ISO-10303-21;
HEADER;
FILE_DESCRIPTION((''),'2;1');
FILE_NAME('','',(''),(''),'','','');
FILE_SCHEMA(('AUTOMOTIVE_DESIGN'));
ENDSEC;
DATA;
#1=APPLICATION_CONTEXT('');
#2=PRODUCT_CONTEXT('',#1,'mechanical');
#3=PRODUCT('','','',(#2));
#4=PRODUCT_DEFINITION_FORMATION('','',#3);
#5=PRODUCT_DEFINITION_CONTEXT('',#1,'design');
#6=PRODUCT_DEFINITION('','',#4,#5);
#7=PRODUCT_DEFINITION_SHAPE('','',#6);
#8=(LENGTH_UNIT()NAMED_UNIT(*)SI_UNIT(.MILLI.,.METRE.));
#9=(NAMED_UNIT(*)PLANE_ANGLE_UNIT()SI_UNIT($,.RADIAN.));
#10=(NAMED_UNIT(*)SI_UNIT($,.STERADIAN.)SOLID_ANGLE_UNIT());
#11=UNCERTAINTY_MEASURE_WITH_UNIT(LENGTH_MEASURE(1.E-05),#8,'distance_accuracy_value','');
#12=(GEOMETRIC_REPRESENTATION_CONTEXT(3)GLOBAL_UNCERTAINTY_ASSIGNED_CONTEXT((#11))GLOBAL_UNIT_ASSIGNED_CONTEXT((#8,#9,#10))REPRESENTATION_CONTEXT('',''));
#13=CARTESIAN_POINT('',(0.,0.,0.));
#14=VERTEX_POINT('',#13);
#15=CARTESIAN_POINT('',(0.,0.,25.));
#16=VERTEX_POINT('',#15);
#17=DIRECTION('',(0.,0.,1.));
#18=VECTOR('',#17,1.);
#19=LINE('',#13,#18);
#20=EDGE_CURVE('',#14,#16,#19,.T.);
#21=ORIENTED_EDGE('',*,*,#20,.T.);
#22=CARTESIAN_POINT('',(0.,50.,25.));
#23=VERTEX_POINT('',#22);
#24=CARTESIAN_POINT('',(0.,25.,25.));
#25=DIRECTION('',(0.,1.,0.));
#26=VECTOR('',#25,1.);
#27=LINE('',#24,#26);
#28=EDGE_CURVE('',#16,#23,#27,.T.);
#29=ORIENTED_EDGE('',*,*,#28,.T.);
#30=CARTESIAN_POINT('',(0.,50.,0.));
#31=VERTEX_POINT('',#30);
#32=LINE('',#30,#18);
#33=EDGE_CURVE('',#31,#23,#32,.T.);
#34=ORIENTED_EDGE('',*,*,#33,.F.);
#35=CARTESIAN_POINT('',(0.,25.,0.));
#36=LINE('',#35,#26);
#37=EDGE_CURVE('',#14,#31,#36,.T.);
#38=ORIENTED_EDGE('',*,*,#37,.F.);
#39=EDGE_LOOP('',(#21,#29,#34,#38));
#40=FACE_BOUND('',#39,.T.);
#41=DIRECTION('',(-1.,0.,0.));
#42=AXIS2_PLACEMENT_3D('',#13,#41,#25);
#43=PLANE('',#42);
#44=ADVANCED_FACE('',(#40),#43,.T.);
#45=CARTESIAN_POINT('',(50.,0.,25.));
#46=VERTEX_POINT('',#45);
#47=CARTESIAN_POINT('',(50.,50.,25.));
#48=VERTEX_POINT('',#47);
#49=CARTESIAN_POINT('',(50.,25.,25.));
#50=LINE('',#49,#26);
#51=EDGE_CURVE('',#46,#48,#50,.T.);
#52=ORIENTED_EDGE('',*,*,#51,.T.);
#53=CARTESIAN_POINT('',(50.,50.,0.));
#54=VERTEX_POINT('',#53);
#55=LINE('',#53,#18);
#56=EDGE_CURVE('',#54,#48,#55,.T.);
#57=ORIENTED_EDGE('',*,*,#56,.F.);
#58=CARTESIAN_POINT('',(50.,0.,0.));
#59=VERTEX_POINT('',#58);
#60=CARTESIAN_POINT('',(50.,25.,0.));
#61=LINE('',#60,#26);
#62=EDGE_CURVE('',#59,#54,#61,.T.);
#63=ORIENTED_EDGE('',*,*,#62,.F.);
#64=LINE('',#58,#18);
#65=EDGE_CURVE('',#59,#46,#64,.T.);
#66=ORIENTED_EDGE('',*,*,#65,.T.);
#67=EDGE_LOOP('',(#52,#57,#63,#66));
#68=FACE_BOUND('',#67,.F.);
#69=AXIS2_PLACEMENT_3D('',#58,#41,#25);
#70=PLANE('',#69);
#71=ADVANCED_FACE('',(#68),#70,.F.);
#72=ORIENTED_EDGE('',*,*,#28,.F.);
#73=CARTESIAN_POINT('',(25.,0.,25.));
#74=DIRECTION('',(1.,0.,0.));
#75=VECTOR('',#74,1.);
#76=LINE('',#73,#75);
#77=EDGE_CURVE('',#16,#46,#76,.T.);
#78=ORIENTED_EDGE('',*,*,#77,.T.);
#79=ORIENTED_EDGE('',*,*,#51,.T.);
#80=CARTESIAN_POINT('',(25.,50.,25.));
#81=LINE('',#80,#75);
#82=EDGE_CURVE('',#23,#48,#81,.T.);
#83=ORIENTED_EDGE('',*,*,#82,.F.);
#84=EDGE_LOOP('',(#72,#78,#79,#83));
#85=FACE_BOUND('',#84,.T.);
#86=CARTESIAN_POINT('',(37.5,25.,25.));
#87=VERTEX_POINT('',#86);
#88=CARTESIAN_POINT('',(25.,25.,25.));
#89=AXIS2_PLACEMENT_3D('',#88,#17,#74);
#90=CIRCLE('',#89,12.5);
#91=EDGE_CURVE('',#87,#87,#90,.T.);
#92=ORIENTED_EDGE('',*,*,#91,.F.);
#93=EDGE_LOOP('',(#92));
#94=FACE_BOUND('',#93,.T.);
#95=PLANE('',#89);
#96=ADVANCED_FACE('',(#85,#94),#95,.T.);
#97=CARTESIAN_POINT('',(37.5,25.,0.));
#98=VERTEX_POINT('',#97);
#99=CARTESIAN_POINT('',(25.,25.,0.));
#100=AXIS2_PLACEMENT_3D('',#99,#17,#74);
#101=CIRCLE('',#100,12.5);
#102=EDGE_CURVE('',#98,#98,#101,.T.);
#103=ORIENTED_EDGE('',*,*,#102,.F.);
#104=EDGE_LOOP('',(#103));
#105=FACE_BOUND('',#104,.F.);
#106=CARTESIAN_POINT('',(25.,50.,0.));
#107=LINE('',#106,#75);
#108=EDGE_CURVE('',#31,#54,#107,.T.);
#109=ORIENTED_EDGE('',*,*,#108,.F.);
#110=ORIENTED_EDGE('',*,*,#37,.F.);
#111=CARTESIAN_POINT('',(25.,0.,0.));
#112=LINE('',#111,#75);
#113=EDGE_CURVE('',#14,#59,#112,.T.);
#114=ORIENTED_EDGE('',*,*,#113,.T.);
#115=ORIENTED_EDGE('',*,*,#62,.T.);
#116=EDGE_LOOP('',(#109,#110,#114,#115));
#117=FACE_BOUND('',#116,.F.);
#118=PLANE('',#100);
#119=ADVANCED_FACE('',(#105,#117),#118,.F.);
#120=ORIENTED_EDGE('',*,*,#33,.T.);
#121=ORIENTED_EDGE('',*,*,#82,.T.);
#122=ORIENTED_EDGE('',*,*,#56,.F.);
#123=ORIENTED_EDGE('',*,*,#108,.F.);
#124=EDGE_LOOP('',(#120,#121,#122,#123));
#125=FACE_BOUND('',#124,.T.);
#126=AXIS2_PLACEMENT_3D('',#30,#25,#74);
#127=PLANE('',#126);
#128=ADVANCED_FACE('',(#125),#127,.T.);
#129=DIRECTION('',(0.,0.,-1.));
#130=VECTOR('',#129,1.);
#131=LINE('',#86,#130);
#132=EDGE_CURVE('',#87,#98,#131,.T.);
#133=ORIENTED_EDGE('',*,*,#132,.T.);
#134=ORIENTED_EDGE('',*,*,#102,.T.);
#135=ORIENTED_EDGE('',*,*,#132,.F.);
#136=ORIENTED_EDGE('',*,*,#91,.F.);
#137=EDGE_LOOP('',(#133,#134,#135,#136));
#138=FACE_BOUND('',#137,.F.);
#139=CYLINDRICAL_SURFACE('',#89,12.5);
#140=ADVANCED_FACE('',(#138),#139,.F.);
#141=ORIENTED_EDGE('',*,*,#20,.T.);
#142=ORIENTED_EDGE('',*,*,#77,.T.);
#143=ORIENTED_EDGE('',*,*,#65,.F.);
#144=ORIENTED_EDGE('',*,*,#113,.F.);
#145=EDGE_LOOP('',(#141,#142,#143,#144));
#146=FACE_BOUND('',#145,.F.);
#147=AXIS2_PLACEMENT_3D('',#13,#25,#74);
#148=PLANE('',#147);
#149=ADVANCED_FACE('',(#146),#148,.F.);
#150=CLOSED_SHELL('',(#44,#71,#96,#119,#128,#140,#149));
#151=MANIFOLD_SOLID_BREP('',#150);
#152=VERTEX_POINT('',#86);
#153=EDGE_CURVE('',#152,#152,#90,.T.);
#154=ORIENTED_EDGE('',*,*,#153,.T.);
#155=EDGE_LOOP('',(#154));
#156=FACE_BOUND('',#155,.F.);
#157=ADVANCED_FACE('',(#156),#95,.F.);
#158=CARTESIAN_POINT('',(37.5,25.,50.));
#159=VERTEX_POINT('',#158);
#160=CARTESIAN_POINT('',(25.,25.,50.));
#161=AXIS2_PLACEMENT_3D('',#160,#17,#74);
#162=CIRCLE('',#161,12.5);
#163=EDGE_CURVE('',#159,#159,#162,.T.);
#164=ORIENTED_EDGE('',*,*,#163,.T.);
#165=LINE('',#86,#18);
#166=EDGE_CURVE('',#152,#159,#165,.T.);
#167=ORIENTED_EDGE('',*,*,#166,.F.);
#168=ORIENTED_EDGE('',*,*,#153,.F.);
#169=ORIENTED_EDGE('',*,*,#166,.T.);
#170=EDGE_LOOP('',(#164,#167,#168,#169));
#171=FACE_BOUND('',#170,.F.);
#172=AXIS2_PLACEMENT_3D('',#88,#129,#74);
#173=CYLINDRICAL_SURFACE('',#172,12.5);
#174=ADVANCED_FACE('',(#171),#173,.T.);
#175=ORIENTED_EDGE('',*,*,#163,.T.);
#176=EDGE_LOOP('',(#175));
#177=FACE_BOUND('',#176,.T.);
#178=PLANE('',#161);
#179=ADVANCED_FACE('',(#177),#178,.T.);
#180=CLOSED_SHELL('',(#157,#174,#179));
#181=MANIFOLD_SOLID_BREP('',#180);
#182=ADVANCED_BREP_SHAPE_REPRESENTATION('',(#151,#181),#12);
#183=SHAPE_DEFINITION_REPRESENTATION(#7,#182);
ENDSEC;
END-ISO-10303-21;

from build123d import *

# Parameters (mm, degrees)
F0_W     = 50
F0_H     = 50
F1_DEPTH = 25
F2_R     = 12.5
F3_DEPTH = 25
F4_R     = 12.5
F5_DEPTH = 25


with BuildPart() as f1:
    # F0 (on Top) → F1 (new body)
    with BuildSketch(Plane.XY):
        with Locations((25, 25)):
            Rectangle(F0_W, F0_H)
    extrude(amount=F1_DEPTH)

    # F2 (on face) → F3 (cut)
    with BuildSketch(Plane.XY.offset(25)):
        with Locations((25, 25)):
            Circle(F2_R)
    extrude(amount=-F3_DEPTH, mode=Mode.SUBTRACT)


with BuildPart() as f5:
    # F4 (on face) → F5 (new body)
    with BuildSketch(Plane.XY.offset(25)):
        with Locations((25, 25)):
            Circle(F4_R)
    extrude(amount=F5_DEPTH)


solid = Compound([f1.part, f5.part])
